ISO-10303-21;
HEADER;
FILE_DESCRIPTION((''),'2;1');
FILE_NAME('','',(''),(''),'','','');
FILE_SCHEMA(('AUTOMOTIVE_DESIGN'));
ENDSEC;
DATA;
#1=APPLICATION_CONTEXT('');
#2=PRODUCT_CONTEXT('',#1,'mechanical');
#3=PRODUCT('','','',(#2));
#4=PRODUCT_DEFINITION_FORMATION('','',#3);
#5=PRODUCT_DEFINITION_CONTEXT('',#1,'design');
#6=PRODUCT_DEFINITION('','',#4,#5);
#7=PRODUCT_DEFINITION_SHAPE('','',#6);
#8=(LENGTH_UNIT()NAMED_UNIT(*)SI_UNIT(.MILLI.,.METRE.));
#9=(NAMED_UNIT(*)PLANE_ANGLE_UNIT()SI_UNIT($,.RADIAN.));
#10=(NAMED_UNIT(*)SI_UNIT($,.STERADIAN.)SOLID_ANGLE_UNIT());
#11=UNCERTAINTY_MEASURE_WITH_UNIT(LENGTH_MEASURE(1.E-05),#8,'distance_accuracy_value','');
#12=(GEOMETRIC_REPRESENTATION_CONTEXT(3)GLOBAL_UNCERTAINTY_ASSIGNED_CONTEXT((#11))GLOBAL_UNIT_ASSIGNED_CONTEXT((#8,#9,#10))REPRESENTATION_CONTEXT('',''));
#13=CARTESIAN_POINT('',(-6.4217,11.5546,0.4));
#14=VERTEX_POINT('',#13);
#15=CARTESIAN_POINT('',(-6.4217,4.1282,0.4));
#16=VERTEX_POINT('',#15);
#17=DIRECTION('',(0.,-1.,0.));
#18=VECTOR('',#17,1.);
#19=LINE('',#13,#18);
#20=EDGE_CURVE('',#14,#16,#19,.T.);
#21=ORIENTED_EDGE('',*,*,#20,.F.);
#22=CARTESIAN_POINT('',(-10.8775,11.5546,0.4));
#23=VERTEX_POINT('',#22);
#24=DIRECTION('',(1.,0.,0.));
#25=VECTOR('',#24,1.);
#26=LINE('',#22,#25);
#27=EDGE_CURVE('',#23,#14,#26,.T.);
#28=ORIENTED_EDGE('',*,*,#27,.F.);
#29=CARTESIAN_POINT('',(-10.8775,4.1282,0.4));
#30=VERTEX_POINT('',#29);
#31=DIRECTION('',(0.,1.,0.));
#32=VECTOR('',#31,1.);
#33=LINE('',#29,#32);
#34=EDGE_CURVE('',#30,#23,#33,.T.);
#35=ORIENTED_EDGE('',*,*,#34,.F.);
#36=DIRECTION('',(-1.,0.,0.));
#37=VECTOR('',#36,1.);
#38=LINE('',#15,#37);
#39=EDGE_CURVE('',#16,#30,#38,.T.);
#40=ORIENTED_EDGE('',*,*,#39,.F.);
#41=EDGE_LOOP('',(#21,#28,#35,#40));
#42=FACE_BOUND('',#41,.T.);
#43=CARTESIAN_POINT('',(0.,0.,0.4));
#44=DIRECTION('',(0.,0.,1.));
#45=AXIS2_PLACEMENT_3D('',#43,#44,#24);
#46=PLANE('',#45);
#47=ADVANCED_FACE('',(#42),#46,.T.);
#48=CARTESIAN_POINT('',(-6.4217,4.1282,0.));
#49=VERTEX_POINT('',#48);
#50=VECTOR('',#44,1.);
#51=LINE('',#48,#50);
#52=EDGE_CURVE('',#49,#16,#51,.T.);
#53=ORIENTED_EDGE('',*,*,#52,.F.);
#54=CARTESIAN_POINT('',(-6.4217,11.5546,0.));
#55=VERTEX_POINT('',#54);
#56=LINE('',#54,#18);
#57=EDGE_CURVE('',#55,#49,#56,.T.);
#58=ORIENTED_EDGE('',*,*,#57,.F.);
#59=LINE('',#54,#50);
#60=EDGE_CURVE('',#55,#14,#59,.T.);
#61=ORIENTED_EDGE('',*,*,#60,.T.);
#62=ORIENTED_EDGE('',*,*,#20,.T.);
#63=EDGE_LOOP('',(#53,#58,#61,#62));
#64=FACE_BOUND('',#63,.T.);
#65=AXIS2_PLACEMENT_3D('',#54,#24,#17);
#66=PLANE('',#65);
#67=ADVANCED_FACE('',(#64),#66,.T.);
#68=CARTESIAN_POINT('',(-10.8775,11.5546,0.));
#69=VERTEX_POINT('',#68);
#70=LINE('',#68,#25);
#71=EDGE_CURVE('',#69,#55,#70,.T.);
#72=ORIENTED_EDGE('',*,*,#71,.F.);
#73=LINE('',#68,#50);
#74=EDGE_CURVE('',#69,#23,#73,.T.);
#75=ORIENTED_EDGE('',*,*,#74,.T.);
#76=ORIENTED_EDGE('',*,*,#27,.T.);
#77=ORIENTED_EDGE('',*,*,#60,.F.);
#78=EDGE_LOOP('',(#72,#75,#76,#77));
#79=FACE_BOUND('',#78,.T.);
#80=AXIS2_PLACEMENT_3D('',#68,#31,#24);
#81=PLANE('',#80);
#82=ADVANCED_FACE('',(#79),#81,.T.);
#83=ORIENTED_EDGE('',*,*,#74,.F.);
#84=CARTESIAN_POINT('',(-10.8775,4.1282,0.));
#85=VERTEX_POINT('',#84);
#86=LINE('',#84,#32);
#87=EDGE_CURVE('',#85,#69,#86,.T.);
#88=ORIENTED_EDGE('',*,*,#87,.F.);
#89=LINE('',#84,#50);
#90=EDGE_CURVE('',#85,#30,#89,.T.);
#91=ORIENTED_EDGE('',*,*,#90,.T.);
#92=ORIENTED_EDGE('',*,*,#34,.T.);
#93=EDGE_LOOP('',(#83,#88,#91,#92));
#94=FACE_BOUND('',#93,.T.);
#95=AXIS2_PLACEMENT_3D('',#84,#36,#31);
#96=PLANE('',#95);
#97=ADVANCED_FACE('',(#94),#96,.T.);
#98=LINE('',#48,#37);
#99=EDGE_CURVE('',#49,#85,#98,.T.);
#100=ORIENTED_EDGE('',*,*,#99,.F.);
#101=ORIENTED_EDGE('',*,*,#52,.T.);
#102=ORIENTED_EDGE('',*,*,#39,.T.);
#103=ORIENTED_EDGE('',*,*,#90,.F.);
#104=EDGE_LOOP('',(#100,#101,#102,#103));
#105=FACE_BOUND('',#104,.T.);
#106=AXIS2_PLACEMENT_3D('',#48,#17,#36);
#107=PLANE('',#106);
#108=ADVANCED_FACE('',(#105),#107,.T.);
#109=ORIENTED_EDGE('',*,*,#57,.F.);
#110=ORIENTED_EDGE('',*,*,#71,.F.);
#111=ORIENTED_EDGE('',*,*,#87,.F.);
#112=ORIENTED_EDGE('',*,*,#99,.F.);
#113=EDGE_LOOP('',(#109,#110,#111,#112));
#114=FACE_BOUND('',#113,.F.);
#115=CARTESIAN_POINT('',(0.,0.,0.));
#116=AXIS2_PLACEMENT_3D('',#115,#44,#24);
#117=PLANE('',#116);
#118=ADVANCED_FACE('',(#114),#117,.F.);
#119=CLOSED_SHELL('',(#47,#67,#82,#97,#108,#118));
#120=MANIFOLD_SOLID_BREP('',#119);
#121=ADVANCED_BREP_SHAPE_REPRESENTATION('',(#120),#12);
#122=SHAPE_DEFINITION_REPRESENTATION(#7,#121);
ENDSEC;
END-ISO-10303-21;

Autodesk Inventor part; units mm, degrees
ref_plane "YZ Plane" through (0, 0, 0) normal (1, 0, 0) x (0, 1, 0)
ref_plane "XZ Plane" through (0, 0, 0) normal (0, 1, 0) x (-1, 0, 0)
ref_plane "XY Plane" through (0, 0, 0) normal (0, 0, 1) x (1, 0, 0)
sketch "Sketch1" plane through (0, 0, 0) normal (0, 0, 1) x (1, 0, 0)
  line L0 (-10.8775, 11.5546) -> (-6.4217, 11.5546)
  line L1 (-6.4217, 11.5546) -> (-6.4217, 4.1282)
  line L2 (-6.4217, 4.1282) -> (-10.8775, 4.1282)
  line L3 (-10.8775, 4.1282) -> (-10.8775, 11.5546)
  point P0 (0, 0)
extrude "Extrusion1" add sketch "Sketch1" along normal blind 0.4
properties part number "Maze part 5 (aurdino)"
